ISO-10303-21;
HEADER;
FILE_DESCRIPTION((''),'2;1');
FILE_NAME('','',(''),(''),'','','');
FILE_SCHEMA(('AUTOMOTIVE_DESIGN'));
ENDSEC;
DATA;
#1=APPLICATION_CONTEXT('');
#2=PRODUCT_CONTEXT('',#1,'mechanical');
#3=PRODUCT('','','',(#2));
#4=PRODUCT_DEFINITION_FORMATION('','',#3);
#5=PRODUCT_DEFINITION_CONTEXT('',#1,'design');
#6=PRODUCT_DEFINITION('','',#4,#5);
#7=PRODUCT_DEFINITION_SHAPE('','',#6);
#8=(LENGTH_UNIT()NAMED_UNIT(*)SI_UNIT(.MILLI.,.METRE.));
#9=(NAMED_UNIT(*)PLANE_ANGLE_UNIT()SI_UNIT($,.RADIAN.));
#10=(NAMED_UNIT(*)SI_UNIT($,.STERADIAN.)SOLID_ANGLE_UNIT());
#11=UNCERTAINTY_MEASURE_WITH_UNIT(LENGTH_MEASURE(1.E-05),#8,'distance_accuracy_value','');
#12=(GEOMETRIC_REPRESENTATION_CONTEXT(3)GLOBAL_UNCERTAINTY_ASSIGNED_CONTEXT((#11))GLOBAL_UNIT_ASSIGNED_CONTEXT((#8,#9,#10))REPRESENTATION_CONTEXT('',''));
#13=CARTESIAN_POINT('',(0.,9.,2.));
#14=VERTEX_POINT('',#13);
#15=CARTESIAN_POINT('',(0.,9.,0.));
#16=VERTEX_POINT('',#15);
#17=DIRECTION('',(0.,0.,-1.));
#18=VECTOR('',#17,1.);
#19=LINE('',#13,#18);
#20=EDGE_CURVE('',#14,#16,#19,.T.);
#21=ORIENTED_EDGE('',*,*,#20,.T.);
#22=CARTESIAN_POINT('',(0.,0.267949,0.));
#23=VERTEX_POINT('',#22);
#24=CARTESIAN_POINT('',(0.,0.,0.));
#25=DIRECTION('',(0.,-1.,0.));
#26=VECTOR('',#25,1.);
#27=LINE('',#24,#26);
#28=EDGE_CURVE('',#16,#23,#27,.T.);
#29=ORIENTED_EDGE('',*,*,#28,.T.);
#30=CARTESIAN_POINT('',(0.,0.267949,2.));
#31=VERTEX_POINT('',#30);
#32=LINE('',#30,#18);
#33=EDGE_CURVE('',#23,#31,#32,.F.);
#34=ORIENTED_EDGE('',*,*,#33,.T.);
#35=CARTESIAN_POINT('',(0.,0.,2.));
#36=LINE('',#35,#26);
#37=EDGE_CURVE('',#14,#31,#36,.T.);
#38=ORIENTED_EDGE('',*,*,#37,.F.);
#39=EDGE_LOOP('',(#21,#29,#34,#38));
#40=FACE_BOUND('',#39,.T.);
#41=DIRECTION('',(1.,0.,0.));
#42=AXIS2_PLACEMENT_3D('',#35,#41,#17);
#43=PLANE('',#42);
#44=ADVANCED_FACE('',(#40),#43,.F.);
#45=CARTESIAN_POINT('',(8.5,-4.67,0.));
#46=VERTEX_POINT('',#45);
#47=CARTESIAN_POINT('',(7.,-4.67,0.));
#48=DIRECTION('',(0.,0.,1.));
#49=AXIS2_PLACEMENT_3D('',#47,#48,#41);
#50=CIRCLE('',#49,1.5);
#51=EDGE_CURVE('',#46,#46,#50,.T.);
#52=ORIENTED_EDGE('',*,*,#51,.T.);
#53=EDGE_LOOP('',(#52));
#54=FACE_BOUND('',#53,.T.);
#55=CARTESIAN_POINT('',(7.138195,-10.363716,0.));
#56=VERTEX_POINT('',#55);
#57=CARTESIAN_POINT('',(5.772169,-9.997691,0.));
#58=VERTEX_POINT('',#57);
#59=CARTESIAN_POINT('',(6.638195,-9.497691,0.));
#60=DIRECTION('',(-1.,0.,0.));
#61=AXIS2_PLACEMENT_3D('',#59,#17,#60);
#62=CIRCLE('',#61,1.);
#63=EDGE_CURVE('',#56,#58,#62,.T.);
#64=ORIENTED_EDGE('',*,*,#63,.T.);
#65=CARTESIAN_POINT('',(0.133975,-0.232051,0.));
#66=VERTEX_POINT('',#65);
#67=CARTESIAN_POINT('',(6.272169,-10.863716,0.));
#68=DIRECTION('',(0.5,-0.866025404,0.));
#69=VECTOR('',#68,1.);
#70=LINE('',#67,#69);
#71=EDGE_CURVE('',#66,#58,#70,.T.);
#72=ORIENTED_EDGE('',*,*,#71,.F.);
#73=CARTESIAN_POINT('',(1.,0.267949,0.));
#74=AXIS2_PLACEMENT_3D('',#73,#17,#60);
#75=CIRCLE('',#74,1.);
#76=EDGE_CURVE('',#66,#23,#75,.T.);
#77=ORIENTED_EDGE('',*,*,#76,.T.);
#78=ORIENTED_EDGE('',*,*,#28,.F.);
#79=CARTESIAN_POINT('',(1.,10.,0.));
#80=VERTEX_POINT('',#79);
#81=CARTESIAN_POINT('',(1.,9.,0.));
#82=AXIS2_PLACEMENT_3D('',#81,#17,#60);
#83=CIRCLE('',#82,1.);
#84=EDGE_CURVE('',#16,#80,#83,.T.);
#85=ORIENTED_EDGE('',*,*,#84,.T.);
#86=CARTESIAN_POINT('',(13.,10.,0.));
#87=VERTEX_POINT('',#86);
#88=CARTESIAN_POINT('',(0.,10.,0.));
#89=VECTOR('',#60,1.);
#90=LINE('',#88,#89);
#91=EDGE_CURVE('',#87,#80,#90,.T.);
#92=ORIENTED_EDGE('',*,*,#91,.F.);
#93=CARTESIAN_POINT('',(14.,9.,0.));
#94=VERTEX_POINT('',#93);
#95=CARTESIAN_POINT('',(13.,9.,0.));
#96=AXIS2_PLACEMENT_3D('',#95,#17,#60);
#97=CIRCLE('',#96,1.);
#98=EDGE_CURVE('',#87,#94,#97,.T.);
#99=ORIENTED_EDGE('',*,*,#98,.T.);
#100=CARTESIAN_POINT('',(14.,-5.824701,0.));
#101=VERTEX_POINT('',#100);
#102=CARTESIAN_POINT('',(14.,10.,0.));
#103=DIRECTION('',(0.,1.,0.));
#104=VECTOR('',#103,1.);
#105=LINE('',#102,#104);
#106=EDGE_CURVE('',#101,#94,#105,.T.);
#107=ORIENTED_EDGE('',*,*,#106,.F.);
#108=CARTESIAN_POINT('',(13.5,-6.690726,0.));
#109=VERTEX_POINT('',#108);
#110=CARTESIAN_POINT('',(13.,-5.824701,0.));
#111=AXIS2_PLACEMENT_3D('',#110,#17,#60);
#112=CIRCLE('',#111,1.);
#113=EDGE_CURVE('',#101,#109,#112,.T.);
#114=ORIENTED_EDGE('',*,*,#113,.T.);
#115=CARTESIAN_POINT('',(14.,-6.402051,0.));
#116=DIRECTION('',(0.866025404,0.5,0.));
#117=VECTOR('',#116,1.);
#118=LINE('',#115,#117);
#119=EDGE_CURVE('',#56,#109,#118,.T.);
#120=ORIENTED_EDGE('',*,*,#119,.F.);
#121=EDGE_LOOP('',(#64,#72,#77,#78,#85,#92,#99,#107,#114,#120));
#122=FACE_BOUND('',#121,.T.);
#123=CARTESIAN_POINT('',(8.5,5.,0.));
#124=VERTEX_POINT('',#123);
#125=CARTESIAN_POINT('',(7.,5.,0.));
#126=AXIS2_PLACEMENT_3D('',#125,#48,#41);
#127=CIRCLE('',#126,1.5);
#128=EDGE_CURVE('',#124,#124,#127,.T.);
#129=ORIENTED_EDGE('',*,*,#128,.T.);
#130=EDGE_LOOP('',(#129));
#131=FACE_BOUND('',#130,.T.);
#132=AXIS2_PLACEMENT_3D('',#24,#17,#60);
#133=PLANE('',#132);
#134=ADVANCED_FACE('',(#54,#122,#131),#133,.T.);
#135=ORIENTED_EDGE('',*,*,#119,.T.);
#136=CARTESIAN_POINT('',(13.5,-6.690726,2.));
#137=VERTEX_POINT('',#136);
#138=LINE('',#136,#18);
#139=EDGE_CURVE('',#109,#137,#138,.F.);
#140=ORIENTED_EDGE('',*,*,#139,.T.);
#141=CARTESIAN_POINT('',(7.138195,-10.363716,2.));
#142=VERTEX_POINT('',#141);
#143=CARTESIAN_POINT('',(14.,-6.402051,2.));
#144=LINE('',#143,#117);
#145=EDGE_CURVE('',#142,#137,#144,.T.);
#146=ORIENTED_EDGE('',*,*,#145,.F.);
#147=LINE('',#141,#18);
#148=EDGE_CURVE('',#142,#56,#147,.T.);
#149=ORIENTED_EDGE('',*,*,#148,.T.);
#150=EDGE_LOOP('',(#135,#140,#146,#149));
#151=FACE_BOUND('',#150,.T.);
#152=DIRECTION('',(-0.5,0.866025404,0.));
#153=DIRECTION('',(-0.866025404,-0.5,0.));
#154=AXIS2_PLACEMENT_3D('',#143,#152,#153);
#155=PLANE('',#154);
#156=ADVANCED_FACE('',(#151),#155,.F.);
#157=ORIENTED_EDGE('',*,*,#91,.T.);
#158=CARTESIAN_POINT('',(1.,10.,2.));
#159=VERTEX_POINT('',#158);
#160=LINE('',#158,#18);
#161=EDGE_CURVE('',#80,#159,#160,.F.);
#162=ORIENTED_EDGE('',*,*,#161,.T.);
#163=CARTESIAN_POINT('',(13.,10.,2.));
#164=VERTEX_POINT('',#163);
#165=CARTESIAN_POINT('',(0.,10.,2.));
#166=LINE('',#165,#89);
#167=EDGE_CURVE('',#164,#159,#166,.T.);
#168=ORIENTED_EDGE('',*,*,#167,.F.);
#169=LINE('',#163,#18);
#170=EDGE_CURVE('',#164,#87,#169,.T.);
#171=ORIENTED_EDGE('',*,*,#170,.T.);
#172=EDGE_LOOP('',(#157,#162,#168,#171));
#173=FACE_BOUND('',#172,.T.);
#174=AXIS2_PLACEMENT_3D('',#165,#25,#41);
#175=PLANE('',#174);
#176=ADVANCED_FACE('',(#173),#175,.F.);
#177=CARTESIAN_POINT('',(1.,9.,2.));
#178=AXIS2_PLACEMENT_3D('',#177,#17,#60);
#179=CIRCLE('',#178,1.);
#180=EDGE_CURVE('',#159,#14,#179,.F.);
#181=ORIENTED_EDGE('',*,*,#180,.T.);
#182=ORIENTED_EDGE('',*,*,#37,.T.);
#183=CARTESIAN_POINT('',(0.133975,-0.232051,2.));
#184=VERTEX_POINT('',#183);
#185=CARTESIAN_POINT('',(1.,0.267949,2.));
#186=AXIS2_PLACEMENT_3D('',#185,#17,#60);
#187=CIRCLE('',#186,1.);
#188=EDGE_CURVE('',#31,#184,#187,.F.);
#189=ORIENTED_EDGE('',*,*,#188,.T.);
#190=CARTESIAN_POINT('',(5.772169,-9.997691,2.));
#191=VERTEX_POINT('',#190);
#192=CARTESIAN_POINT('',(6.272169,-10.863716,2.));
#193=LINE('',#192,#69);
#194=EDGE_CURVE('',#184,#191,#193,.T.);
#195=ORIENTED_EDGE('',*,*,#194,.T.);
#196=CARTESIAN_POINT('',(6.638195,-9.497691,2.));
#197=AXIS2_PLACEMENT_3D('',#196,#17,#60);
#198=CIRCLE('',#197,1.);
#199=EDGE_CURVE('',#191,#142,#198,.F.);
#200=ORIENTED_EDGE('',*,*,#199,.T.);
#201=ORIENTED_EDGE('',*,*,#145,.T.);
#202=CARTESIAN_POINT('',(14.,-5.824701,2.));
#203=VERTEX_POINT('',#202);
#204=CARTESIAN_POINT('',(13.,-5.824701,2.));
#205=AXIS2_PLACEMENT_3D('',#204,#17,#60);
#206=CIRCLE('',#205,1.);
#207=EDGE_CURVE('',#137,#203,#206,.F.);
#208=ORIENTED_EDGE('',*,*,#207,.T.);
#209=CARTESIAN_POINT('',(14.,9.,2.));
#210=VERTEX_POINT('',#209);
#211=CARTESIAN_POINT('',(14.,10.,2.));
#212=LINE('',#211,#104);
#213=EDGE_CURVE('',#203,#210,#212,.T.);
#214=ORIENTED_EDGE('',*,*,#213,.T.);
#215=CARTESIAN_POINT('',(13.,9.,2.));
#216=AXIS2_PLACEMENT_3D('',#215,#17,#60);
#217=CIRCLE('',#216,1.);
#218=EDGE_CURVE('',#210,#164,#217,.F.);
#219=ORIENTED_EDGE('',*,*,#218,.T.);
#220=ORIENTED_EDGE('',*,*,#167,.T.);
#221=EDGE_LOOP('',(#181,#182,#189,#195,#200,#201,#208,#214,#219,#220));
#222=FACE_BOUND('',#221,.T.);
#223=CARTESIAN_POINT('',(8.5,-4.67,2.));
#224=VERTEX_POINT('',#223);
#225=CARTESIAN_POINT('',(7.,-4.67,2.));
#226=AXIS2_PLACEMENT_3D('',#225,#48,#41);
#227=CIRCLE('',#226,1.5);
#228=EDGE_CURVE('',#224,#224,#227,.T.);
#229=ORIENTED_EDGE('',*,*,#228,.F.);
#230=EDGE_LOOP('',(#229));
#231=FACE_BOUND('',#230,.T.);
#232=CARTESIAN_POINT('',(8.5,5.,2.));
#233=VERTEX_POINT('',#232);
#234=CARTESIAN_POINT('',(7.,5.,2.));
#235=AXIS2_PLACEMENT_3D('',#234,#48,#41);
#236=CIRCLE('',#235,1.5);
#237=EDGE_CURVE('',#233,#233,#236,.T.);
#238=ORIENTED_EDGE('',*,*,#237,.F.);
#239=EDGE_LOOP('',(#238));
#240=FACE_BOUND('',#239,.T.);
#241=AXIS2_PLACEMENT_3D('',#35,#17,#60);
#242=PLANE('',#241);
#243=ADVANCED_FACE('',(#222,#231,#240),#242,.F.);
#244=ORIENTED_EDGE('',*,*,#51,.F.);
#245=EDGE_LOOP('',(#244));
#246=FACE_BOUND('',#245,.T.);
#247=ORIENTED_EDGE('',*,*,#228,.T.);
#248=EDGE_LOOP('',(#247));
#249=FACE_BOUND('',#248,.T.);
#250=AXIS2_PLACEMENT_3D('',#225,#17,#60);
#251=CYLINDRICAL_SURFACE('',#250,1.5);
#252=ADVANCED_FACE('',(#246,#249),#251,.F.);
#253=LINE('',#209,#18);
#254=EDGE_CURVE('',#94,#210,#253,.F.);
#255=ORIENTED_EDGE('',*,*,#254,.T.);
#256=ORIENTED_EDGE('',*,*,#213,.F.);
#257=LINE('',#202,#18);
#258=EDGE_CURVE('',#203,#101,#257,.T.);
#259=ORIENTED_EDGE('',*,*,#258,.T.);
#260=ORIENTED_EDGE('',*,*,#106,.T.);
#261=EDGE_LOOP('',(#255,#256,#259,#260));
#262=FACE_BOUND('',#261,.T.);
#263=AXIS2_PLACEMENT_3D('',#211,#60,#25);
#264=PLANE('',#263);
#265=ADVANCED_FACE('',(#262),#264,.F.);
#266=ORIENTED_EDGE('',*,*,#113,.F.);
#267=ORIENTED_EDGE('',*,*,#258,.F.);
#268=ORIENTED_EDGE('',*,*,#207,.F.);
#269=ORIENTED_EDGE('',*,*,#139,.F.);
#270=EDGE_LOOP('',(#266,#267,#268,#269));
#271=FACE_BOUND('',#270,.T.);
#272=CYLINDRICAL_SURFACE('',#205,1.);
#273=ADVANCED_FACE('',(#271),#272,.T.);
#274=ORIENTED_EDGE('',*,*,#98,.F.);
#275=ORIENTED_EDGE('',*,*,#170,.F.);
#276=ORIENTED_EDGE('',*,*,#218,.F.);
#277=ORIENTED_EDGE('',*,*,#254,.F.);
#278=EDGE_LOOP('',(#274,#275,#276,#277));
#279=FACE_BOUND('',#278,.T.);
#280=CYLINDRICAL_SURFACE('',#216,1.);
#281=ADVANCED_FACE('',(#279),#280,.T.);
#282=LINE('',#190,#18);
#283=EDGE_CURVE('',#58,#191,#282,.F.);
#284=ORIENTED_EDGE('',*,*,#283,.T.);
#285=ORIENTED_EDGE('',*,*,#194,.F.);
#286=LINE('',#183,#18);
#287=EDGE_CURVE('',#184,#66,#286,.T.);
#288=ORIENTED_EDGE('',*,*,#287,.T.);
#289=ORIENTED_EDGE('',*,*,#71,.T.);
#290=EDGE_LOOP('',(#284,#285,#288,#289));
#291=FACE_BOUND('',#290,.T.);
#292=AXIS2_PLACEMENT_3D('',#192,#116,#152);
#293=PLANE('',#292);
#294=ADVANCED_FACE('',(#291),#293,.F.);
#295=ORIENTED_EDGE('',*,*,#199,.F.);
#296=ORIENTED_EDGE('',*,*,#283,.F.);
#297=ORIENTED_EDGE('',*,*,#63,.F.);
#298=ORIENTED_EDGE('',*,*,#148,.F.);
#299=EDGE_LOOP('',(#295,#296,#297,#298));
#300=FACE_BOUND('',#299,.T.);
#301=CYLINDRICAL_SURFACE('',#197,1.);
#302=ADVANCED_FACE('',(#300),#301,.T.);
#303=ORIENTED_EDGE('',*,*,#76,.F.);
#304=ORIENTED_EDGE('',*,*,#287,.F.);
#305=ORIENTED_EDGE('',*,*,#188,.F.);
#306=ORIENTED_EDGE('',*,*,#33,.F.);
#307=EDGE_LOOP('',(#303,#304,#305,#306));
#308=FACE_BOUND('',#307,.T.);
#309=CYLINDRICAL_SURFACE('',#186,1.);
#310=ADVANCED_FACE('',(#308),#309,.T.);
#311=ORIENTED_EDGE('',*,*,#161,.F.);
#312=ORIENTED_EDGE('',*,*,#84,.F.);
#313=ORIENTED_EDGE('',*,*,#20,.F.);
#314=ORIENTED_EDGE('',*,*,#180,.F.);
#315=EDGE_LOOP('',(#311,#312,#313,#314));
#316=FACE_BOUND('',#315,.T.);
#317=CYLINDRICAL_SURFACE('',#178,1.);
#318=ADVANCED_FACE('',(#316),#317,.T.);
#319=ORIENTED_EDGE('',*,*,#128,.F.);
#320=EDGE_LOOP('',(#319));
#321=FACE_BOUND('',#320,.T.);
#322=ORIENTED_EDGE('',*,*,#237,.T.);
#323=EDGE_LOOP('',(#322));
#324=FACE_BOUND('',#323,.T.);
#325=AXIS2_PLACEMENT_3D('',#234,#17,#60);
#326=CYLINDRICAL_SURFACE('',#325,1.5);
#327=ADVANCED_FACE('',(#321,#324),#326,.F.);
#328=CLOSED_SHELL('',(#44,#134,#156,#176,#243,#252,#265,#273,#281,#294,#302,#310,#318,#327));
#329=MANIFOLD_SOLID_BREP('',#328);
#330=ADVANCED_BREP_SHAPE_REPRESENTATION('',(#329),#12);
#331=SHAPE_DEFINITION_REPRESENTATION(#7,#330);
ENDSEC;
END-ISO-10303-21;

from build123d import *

# Parameters (mm, degrees)
SKETCH_1_R      = 1.5
EXTRUDE_1_DEPTH = 2
FILLET_1_R      = 1


with BuildPart() as part:
    # 草图1 → 凸台-拉伸1 (new body)
    with BuildSketch(Plane.XY):
        Polygon((0, 10), (14, 10), (14, -6.402050808), (6.272169318, -10.863715932), (0, 0), align=None)
        with Locations((7, 5)):
            Circle(SKETCH_1_R, mode=Mode.SUBTRACT)
        with Locations((7, -4.67)):
            Circle(SKETCH_1_R, mode=Mode.SUBTRACT)
    extrude(amount=EXTRUDE_1_DEPTH)

    # 圆角1
    fillet_1_edges = [part.edges().sort_by_distance(p)[0] for p in [
        (0, 10, 1),
        (14, 10, 1),
        (14, -6.402050808, 1),
        (6.272169318, -10.863715932, 1),
        (0, 0, 1),
    ]]
    fillet(fillet_1_edges, radius=FILLET_1_R)


solid = part.part
